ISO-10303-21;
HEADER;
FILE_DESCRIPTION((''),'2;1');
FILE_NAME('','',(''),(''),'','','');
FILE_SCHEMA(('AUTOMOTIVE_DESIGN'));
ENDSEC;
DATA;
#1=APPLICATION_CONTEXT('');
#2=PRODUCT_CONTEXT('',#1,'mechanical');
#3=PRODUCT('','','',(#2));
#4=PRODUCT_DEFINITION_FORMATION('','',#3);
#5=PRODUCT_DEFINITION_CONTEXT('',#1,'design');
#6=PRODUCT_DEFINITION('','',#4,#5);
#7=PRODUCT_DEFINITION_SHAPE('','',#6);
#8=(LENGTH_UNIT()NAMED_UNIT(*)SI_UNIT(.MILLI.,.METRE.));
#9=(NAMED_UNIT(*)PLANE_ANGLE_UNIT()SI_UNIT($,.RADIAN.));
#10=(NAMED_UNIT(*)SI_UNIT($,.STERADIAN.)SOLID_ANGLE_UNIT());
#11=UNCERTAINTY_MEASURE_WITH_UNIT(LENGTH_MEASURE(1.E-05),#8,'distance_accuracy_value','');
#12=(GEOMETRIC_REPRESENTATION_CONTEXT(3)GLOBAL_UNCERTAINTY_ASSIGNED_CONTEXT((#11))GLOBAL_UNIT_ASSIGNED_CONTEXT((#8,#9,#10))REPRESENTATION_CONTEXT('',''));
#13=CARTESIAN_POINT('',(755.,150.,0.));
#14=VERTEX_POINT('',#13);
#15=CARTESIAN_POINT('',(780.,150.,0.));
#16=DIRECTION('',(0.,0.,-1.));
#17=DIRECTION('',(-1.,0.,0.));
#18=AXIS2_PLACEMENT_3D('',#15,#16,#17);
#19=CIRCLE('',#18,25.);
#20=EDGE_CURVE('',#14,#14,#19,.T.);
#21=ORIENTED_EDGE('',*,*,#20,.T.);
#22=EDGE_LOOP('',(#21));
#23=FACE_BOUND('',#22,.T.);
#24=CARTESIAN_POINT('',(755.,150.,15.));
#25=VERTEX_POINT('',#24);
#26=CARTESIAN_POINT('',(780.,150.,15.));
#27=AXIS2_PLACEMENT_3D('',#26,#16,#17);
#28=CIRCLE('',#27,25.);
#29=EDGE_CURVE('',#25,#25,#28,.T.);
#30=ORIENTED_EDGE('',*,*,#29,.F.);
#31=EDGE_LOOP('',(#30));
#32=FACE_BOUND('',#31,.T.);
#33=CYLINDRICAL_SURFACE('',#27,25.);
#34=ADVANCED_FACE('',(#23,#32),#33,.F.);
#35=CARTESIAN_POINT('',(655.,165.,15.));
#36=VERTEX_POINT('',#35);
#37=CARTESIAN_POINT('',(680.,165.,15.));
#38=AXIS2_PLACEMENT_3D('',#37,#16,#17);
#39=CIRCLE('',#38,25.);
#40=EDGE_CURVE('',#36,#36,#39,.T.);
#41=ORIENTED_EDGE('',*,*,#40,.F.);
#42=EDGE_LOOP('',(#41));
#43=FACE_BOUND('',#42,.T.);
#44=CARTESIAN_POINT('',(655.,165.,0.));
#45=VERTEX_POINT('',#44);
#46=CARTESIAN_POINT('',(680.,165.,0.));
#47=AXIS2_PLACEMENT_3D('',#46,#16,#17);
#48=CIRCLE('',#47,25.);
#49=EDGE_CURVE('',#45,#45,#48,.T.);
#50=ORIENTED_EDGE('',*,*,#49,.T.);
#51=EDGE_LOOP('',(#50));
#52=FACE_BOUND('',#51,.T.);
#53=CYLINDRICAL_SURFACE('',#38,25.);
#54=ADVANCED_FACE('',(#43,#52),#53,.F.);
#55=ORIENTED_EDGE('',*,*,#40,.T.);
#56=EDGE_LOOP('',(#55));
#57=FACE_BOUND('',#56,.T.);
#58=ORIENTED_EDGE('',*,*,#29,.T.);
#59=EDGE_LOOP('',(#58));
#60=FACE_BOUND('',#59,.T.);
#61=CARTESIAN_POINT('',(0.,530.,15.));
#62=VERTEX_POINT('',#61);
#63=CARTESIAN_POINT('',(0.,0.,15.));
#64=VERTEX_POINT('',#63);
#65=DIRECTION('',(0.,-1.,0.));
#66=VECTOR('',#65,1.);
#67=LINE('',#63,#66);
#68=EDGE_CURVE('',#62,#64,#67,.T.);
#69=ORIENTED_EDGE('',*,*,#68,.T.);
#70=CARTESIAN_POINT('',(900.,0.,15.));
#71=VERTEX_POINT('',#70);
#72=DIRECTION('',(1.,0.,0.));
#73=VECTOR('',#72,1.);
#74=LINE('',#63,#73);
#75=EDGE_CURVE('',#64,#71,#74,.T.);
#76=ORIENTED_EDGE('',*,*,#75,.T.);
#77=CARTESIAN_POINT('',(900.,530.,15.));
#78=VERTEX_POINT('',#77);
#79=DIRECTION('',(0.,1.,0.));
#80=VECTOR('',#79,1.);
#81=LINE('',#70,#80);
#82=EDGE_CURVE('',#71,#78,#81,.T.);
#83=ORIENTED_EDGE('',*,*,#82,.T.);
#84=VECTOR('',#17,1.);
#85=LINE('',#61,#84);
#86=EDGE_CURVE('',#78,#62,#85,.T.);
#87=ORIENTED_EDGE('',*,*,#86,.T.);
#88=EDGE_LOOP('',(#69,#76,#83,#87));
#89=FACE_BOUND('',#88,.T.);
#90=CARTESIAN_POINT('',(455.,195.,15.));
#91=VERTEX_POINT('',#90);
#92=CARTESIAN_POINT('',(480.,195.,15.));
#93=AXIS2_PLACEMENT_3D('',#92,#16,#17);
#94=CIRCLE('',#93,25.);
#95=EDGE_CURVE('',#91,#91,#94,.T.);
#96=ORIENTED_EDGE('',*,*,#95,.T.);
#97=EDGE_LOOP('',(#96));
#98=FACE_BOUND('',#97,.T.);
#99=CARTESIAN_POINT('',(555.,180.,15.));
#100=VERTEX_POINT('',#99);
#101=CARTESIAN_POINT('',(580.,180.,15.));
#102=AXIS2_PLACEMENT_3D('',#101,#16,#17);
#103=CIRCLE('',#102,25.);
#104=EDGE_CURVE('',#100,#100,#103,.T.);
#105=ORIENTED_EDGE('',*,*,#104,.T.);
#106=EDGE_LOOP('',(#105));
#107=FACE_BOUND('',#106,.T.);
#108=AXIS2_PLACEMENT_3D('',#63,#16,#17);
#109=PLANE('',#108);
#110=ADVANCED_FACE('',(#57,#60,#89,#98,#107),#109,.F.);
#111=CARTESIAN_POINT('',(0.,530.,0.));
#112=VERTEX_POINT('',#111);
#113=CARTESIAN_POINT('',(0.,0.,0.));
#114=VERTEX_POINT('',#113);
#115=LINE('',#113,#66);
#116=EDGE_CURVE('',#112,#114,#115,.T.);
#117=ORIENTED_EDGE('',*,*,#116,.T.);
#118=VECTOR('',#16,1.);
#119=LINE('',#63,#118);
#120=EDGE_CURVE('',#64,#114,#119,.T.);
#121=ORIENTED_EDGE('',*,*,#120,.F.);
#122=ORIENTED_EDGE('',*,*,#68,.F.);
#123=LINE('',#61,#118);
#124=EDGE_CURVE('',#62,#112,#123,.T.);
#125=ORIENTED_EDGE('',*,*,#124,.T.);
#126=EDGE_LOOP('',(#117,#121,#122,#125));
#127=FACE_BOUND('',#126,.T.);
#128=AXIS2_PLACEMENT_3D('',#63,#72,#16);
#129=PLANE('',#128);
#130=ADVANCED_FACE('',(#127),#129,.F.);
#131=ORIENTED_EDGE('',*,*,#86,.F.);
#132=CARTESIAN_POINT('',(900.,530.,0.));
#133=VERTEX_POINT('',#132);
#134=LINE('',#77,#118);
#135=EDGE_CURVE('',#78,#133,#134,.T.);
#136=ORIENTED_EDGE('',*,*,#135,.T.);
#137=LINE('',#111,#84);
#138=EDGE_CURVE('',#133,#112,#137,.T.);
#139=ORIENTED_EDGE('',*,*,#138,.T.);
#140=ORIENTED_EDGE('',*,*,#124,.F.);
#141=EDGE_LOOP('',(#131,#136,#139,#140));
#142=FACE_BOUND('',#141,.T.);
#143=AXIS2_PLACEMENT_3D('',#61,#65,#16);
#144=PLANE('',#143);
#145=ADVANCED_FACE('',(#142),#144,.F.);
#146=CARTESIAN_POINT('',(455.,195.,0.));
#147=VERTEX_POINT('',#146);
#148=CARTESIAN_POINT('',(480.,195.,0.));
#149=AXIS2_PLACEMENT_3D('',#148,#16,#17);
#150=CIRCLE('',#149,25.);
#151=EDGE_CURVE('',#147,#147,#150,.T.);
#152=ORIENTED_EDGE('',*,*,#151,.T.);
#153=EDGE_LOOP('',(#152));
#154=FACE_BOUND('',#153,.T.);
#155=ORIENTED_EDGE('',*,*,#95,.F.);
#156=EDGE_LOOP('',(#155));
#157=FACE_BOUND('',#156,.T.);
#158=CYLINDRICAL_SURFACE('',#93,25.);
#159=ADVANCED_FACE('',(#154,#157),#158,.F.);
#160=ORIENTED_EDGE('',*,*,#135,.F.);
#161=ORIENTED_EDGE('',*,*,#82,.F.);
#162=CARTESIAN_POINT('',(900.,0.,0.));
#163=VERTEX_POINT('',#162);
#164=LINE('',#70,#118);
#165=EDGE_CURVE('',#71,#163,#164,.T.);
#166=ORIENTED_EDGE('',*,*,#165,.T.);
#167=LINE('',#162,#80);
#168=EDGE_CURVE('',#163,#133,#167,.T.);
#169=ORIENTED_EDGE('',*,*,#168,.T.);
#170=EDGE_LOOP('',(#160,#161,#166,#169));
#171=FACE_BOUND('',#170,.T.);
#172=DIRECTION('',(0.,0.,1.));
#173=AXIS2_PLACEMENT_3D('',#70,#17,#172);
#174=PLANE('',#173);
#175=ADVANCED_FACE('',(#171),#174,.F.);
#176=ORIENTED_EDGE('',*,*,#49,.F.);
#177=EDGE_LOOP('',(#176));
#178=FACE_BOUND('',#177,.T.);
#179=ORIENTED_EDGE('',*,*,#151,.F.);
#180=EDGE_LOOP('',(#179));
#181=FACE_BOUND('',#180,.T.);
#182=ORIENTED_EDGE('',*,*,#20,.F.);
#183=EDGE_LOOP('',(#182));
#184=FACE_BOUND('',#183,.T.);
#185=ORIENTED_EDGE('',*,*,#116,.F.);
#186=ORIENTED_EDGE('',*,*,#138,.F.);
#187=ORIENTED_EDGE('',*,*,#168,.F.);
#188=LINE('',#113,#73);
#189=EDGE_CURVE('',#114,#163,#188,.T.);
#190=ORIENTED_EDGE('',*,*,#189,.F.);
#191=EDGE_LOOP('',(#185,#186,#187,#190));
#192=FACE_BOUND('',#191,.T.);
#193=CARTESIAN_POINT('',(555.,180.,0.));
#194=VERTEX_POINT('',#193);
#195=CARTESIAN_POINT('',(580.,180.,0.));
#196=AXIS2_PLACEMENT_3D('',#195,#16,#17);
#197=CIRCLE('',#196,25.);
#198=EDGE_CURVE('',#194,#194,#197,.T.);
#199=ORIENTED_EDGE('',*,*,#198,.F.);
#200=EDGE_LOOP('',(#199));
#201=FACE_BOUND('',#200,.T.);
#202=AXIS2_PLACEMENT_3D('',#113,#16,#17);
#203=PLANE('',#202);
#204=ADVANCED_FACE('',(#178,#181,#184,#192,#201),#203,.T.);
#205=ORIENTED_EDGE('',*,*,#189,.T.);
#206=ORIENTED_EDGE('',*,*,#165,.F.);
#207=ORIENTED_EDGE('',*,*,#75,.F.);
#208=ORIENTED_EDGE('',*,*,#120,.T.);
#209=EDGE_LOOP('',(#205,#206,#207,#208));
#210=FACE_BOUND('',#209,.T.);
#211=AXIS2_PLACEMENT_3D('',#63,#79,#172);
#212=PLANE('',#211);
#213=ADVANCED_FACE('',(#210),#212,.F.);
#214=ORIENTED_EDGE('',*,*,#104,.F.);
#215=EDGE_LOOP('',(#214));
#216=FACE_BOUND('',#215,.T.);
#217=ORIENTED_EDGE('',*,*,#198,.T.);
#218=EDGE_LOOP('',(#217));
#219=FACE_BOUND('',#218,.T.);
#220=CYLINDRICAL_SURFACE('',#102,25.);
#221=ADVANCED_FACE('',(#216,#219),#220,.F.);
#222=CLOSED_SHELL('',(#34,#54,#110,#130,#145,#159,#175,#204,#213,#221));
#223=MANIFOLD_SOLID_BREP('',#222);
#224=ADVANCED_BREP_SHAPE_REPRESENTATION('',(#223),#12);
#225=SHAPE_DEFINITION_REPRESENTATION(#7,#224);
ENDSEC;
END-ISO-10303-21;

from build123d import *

# Parameters (mm, degrees)
SKETCH1_W           = 900
SKETCH1_H           = 530
BOSS_EXTRUDE1_DEPTH = 15
SKETCH3_R           = 25
CUT_EXTRUDE1_DEPTH  = 16


with BuildPart() as part:
    # Sketch1 → Boss-Extrude1 (new body)
    with BuildSketch(Plane.XY):
        with Locations((450, 265)):
            Rectangle(SKETCH1_W, SKETCH1_H)
    extrude(amount=BOSS_EXTRUDE1_DEPTH)

    # Sketch3 → Cut-Extrude1 (cut, through all)
    with BuildSketch(Plane(origin=(0, 0, 0), x_dir=(-1, 0, 0), z_dir=(0, 0, -1))):
        with Locations((-780, 150)):
            Circle(SKETCH3_R)
        with Locations((-680, 165)):
            Circle(SKETCH3_R)
        with Locations((-580, 180)):
            Circle(SKETCH3_R)
        with Locations((-480, 195)):
            Circle(SKETCH3_R)
    extrude(amount=-CUT_EXTRUDE1_DEPTH, mode=Mode.SUBTRACT)


solid = part.part
